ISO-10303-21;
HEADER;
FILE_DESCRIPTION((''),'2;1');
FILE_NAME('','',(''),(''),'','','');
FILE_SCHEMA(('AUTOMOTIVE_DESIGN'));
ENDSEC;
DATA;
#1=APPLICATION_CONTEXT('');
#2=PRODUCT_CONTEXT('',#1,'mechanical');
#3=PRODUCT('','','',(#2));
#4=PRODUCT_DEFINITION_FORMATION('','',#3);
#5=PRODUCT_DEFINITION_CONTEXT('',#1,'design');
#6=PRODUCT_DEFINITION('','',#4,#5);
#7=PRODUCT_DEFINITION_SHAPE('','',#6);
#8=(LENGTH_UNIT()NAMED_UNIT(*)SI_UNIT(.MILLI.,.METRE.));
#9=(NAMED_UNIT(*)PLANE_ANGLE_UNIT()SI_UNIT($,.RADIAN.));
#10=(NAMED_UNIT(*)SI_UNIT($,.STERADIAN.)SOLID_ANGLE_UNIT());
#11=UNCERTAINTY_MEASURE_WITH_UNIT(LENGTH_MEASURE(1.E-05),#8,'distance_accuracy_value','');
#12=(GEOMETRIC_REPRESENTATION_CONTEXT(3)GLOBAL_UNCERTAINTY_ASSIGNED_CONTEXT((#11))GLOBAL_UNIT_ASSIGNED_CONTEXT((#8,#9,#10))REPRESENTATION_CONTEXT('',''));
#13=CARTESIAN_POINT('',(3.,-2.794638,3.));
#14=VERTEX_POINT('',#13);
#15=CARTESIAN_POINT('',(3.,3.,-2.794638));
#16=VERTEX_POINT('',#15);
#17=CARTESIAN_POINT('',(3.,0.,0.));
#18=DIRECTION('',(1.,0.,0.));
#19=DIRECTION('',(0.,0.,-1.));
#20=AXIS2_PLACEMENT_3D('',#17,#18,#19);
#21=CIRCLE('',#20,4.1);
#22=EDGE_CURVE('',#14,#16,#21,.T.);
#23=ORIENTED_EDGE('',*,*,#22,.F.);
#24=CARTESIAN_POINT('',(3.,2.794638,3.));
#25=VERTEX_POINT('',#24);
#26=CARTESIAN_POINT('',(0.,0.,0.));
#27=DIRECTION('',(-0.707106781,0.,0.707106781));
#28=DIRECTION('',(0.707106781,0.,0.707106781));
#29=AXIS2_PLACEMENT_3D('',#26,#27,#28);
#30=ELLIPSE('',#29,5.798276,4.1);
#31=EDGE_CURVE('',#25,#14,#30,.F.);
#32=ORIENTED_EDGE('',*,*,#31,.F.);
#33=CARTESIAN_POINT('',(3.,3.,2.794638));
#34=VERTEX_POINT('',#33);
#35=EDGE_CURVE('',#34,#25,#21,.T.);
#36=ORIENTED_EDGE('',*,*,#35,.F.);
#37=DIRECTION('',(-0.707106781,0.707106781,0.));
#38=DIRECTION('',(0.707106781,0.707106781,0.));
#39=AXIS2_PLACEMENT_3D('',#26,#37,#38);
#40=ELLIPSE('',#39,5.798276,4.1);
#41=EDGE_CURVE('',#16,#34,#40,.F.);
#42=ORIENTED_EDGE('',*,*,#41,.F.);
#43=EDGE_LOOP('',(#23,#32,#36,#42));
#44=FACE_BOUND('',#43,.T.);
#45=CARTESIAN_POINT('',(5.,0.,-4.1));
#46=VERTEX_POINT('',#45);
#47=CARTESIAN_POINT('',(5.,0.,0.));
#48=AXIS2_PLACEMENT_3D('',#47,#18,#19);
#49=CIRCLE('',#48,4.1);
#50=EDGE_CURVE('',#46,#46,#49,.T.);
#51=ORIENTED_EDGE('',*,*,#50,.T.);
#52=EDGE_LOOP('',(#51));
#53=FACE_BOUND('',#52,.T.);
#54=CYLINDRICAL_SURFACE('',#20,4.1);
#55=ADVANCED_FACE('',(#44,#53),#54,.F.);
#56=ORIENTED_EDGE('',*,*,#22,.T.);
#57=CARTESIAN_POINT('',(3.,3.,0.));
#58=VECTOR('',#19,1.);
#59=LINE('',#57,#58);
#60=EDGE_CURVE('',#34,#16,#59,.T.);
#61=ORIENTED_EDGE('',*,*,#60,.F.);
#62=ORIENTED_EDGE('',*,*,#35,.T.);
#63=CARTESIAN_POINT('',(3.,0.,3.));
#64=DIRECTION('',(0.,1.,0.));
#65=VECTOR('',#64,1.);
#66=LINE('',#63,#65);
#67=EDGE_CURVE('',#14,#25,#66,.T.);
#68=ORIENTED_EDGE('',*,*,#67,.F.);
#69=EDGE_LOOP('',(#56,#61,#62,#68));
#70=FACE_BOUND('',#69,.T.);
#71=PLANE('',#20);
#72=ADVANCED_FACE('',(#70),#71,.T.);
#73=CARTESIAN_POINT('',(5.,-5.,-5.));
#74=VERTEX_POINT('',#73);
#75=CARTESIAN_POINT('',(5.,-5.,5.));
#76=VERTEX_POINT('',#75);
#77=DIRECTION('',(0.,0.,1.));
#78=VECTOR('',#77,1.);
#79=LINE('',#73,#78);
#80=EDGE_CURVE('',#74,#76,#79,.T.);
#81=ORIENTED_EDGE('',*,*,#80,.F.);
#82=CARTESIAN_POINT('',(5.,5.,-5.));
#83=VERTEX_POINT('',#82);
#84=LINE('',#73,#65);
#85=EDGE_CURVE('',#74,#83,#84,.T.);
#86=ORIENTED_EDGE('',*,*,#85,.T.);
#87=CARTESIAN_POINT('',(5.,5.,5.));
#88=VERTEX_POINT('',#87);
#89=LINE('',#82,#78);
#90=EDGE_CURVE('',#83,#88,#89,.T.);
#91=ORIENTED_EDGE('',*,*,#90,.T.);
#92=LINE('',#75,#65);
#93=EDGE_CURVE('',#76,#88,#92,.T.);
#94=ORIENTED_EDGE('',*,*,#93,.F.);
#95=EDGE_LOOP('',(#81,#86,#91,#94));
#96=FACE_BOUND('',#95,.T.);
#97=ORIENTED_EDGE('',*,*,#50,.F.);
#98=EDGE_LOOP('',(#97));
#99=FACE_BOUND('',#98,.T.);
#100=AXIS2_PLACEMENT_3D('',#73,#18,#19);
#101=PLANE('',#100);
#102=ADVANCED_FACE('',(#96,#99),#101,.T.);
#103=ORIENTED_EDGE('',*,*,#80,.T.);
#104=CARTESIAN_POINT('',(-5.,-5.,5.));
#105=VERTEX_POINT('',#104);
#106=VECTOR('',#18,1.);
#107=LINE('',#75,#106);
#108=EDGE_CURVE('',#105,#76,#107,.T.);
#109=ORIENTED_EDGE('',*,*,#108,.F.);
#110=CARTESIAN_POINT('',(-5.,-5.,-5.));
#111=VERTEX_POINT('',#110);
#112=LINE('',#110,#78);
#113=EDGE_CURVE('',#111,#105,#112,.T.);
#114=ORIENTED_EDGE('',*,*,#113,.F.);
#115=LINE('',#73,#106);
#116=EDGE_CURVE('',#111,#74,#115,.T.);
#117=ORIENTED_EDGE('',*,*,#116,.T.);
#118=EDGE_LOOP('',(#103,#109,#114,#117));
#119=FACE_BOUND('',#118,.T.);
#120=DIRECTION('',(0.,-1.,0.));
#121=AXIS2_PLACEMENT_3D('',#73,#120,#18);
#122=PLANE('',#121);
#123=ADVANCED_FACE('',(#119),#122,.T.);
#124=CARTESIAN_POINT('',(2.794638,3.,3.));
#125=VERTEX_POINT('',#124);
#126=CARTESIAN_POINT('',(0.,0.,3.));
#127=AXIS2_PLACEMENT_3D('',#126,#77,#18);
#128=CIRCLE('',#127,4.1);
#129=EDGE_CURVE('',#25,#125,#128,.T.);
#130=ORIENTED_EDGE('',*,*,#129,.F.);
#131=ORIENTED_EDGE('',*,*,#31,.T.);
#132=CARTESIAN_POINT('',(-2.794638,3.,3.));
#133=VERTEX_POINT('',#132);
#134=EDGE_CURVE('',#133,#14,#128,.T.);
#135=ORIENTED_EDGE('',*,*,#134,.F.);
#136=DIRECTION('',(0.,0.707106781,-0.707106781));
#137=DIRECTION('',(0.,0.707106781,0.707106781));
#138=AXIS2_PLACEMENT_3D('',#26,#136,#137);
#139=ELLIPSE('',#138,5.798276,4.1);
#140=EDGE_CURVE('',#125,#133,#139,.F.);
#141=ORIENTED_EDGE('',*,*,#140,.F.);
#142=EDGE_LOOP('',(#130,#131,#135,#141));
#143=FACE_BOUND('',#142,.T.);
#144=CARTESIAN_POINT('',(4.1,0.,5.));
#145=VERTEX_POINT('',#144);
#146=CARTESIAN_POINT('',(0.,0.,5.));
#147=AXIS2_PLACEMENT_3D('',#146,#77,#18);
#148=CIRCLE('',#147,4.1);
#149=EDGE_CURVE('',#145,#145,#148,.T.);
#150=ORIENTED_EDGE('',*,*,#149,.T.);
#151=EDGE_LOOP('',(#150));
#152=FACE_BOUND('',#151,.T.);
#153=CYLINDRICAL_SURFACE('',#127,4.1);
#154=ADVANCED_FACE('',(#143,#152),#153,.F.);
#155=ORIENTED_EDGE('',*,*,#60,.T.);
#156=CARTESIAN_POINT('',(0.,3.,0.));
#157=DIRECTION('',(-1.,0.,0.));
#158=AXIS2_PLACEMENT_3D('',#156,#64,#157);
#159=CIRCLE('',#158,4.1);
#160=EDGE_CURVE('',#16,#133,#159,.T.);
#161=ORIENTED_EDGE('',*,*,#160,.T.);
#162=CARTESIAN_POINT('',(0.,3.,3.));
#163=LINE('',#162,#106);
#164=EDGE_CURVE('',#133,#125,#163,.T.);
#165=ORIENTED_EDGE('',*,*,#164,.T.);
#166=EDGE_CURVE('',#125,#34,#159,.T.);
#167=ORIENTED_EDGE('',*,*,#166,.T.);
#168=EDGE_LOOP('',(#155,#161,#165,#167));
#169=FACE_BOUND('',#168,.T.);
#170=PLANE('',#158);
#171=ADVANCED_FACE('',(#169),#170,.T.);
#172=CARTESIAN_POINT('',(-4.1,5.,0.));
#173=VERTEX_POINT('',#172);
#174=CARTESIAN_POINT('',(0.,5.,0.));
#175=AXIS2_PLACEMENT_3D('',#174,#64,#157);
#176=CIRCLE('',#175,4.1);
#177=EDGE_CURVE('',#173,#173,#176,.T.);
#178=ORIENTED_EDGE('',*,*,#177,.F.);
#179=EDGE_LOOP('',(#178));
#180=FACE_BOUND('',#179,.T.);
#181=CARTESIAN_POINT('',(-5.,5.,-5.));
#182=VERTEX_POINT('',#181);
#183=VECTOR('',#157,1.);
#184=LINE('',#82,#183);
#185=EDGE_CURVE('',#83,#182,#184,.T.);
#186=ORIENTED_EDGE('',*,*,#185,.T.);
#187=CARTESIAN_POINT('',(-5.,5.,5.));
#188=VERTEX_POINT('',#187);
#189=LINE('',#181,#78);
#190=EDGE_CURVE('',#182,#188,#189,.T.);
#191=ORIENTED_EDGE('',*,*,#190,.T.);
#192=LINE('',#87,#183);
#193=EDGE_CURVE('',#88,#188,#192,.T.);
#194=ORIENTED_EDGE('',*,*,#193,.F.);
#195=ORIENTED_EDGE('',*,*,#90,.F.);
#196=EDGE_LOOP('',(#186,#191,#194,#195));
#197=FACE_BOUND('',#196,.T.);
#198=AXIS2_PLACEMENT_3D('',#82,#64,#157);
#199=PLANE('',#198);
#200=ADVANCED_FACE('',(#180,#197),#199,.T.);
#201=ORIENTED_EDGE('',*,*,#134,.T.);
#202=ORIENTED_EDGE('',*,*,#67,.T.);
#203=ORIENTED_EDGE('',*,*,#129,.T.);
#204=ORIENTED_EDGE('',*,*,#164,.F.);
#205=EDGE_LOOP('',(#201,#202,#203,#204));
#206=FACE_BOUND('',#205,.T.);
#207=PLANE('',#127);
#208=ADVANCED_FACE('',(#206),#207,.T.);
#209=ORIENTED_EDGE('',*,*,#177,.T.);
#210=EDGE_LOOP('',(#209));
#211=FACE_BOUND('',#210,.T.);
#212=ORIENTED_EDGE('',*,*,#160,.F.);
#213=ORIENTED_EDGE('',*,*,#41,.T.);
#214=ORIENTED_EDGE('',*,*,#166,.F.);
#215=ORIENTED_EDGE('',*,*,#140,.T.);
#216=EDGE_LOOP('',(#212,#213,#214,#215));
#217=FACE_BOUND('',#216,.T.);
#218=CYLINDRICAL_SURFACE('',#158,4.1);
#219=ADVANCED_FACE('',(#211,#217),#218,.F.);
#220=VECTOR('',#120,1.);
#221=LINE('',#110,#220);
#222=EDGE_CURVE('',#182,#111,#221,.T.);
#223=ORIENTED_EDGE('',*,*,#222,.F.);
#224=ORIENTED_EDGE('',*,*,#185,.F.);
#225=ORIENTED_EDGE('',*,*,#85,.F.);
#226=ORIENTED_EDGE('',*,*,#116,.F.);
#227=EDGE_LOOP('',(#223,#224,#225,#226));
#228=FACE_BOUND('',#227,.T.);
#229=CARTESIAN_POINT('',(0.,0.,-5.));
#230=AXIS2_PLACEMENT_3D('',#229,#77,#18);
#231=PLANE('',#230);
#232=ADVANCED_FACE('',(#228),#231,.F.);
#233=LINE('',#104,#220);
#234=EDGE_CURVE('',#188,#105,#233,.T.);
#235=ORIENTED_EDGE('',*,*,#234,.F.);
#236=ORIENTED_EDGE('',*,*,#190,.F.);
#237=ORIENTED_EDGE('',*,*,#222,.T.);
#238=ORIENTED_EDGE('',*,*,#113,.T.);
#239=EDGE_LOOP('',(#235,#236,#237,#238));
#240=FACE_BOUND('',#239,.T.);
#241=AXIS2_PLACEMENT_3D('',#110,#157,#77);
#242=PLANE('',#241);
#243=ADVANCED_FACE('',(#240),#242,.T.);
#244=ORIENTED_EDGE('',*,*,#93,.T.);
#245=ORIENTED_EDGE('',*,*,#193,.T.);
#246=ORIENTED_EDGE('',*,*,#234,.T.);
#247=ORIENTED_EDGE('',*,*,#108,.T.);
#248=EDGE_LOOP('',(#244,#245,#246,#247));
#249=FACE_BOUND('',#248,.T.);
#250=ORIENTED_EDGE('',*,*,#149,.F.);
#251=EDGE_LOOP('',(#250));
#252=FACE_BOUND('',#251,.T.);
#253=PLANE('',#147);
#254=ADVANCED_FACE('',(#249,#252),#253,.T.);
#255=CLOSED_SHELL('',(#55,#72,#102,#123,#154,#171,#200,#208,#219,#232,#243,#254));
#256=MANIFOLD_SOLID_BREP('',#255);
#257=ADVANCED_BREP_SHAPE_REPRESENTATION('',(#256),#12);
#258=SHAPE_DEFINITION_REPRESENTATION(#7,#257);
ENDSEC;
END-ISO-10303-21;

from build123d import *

# Parameters (mm, degrees)
BOSS_EXTRUDE1_DEPTH      = 5
BOSS_EXTRUDE1_DEPTH_BACK = 5
SKETCH1_W                = 10
SKETCH1_H                = 10
SKETCH2_R                = 4.1
CUT_EXTRUDE1_DEPTH       = 2
SKETCH5_R                = 4.1
CUT_EXTRUDE2_DEPTH       = 2
SKETCH6_R                = 4.1
CUT_EXTRUDE3_DEPTH       = 2


with BuildPart() as part:
    # Sketch1 → Boss-Extrude1 (new, two sides: drawn at the far end of the back side and taken through both)
    with BuildSketch(Plane.XY.offset(-BOSS_EXTRUDE1_DEPTH_BACK)):
        Rectangle(SKETCH1_W, SKETCH1_H)
    extrude(amount=BOSS_EXTRUDE1_DEPTH + BOSS_EXTRUDE1_DEPTH_BACK)

    # Sketch2 → Cut-Extrude1 (cut)
    with BuildSketch(Plane(origin=(0, 5, 0), x_dir=(1, 0, 0), z_dir=(0, 1, 0))):
        Circle(SKETCH2_R)
    extrude(amount=-CUT_EXTRUDE1_DEPTH, mode=Mode.SUBTRACT)

    # Sketch5 → Cut-Extrude2 (cut)
    with BuildSketch(Plane.XY.offset(5)):
        Circle(SKETCH5_R)
    extrude(amount=-CUT_EXTRUDE2_DEPTH, mode=Mode.SUBTRACT)

    # Sketch6 → Cut-Extrude3 (cut)
    with BuildSketch(Plane(origin=(5, 0, 0), x_dir=(0, 0, -1), z_dir=(1, 0, 0))):
        Circle(SKETCH6_R)
    extrude(amount=-CUT_EXTRUDE3_DEPTH, mode=Mode.SUBTRACT)


solid = part.part
